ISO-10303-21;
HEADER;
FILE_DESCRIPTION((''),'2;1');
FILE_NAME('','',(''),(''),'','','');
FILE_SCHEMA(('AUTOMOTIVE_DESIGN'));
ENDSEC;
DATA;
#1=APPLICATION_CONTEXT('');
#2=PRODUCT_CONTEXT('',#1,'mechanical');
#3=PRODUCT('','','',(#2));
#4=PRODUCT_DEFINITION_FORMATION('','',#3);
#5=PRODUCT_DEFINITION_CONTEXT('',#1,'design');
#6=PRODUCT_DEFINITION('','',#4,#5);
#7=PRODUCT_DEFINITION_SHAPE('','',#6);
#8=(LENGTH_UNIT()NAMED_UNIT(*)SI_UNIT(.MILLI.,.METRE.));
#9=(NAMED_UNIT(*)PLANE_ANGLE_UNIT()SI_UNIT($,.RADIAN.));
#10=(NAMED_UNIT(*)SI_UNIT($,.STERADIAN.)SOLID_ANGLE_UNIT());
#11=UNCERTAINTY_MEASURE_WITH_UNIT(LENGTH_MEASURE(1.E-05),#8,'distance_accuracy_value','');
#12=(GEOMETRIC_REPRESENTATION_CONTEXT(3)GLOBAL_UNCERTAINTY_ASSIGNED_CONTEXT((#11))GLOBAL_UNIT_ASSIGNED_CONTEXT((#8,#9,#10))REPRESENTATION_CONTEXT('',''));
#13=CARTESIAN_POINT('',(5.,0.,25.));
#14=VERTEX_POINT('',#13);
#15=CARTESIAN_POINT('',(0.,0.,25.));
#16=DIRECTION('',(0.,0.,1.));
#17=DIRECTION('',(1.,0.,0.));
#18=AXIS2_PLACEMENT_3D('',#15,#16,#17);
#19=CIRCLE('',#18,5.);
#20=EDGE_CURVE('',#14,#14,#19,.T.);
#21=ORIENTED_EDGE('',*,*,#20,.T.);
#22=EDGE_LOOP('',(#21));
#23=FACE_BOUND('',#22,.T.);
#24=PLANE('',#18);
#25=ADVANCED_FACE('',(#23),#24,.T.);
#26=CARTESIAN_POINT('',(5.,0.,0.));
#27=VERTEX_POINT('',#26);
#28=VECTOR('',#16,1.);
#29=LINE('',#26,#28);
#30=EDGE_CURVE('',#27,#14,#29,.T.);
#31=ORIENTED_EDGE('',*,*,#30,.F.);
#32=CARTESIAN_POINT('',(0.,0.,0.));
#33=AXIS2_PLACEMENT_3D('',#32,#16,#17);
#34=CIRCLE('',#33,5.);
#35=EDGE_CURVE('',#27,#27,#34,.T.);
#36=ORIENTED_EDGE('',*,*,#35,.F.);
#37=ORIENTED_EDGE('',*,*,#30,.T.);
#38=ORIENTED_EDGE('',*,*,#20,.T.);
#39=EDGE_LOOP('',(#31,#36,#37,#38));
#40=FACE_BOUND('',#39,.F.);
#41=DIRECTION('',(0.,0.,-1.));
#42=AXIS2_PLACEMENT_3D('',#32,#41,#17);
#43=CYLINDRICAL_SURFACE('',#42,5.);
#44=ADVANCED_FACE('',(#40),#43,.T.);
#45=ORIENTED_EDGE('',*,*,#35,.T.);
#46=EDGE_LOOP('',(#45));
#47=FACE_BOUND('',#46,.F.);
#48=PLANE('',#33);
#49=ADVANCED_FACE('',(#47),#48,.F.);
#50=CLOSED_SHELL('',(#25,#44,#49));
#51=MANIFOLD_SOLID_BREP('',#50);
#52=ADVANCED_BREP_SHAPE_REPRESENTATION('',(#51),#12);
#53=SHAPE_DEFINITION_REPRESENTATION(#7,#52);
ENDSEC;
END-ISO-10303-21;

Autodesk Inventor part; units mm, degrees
ref_plane "YZ Plane" through (0, 0, 0) normal (1, 0, 0) x (0, 1, 0)
ref_plane "XZ Plane" through (0, 0, 0) normal (0, 1, 0) x (-1, 0, 0)
ref_plane "XY Plane" through (0, 0, 0) normal (0, 0, 1) x (1, 0, 0)
sketch "Skizze1" plane through (0, 0, 0) normal (0, 0, 1) x (1, 0, 0)
  circle A0 centre (0, 0) radius 5
  dimension "d0" = 10
extrude "Extrusion1" add sketch "Skizze1" along normal blind 25
properties part number "BauteilWelle4"
